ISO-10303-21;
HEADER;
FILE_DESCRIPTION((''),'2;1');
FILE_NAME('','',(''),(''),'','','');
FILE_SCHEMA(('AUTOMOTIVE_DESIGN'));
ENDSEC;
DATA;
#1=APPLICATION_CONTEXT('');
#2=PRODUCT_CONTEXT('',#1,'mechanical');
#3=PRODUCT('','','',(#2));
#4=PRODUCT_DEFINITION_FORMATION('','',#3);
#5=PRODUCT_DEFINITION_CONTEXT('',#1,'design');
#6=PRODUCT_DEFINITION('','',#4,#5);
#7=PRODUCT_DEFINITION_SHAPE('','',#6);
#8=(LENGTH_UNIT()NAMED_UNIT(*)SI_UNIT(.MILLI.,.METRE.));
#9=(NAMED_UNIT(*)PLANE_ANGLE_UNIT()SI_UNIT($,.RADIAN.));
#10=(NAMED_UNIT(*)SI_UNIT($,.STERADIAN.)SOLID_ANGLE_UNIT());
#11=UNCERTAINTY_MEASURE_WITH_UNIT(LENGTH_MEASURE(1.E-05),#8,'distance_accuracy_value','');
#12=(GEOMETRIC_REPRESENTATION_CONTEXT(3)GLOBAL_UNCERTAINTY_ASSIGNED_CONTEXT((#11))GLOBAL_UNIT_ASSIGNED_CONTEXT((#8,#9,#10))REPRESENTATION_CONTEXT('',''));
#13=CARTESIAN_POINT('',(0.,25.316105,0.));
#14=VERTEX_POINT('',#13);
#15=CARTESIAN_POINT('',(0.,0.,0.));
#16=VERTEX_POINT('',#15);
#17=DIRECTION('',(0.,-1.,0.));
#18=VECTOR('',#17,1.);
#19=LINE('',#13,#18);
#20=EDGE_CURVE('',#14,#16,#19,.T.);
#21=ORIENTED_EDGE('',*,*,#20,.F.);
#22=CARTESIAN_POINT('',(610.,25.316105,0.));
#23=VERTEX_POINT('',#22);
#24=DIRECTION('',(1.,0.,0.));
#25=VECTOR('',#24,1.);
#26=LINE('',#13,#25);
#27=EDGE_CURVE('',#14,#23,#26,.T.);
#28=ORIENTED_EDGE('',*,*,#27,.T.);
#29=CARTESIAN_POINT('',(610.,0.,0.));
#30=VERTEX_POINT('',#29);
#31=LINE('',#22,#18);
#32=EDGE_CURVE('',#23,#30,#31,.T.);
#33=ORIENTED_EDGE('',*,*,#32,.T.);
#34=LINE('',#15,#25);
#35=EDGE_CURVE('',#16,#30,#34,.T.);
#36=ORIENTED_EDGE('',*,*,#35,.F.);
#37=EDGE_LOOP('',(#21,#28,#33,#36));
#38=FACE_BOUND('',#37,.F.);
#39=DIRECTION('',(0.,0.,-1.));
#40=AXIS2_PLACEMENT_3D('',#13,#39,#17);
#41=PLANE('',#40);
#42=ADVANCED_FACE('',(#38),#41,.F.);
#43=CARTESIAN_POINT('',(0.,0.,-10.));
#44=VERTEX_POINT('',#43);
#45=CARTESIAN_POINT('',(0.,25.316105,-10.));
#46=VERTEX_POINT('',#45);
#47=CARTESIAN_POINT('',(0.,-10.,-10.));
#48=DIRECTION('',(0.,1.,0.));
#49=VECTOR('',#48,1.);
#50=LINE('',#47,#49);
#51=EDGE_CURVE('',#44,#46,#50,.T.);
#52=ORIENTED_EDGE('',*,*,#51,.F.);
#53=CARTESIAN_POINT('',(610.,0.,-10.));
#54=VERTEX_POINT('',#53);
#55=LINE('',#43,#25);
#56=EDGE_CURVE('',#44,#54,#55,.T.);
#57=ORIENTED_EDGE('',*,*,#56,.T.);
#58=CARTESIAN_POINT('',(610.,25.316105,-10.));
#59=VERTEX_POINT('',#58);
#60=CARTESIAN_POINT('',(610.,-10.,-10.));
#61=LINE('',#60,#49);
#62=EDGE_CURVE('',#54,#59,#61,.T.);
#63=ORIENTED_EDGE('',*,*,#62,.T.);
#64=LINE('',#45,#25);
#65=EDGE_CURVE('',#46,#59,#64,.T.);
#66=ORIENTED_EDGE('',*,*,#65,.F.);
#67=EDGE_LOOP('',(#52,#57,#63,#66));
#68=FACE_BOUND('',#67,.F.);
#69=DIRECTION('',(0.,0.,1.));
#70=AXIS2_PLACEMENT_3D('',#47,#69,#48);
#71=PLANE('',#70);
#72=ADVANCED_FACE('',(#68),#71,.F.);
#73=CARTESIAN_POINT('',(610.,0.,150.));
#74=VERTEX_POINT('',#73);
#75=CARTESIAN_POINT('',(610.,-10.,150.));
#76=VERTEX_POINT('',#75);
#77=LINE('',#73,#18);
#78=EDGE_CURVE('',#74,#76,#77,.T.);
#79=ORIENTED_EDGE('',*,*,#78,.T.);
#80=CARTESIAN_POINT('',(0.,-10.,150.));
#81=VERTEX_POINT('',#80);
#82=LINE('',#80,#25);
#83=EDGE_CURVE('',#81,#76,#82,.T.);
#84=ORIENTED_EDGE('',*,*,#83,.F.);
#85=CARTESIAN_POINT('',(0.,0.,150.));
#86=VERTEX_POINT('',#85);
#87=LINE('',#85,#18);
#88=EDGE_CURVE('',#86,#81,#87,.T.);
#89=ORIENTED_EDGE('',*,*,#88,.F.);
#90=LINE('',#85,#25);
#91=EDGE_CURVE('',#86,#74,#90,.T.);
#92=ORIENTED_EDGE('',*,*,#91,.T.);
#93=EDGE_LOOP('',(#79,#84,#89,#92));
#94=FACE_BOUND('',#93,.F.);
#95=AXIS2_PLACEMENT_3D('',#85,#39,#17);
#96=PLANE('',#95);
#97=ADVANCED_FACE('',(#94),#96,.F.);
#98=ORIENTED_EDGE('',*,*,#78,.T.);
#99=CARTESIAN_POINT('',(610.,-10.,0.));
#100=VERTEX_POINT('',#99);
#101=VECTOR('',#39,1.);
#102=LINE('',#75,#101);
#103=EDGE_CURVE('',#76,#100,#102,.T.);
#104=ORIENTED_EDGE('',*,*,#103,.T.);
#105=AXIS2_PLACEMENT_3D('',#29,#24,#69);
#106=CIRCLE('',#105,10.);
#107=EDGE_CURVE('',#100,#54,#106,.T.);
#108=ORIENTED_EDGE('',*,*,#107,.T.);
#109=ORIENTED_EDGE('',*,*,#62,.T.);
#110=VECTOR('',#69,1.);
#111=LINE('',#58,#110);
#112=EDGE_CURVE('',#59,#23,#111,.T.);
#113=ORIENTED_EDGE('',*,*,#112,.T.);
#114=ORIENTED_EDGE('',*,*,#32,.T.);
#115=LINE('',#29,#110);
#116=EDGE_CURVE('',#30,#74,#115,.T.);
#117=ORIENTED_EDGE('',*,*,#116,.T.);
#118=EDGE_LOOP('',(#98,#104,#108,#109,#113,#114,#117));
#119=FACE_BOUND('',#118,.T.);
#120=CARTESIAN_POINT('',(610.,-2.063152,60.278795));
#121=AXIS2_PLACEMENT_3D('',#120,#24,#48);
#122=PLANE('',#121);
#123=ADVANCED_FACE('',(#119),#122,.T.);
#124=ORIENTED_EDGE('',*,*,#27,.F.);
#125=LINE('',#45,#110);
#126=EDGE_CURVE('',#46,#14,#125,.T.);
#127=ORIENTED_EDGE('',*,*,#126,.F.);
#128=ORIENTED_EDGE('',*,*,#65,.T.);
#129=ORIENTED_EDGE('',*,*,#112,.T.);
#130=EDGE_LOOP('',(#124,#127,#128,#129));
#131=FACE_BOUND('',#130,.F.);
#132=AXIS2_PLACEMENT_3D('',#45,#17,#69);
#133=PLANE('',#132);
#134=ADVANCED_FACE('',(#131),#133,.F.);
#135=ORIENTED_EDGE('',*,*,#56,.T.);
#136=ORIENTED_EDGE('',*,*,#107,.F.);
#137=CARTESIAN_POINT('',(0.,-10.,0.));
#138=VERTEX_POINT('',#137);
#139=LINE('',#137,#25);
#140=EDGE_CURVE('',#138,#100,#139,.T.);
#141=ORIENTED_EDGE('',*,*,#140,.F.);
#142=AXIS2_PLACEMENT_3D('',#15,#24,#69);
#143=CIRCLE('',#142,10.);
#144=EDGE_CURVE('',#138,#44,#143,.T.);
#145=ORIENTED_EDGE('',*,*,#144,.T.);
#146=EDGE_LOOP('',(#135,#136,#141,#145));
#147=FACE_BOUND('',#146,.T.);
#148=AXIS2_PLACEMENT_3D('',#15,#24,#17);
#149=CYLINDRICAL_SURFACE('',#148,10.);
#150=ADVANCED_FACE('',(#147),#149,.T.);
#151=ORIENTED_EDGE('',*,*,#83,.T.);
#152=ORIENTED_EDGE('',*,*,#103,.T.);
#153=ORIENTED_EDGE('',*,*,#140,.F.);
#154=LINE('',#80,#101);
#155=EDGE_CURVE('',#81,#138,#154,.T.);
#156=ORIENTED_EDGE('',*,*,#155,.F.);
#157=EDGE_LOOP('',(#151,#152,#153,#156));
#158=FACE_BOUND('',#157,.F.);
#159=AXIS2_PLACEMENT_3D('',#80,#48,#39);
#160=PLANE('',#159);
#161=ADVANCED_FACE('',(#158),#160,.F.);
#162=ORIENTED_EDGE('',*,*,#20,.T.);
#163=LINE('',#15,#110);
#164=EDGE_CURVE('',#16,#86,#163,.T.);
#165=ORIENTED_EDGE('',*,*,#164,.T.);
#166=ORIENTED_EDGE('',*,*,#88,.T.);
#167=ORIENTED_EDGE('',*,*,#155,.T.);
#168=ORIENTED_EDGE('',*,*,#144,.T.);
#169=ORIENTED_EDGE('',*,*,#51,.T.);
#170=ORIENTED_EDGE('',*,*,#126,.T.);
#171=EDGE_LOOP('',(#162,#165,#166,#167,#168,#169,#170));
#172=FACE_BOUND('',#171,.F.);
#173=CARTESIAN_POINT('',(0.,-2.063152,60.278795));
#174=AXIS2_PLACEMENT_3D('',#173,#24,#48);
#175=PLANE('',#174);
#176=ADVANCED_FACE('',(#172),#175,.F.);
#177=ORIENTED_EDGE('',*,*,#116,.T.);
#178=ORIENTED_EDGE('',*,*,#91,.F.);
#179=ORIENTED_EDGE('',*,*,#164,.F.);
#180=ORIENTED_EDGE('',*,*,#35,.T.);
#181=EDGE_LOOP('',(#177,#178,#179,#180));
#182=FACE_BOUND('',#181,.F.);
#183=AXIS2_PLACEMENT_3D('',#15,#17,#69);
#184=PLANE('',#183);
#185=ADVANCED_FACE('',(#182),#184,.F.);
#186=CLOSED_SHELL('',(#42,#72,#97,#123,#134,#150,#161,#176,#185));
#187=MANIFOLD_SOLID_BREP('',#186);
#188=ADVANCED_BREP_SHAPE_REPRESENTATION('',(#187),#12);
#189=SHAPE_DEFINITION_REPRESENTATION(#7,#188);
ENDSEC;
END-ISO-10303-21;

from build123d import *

# Parameters (mm, degrees)
F1_DEPTH = 610
F2_R     = 10


with BuildPart() as f1:
    # F0 (on Right) → F1 (new body)
    with BuildSketch(Plane.YZ):
        Polygon((25.316105, 0), (0, 0), (0, 120), (0, 150), (-10, 150), (-10, 120), (-10, -10), (25.316105, -10), align=None)
    extrude(amount=F1_DEPTH)

    # F2
    f2_edges = [f1.edges().sort_by_distance(p)[0] for p in [
        (305, -10, -10),
    ]]
    fillet(f2_edges, radius=F2_R)


solid = f1.part
